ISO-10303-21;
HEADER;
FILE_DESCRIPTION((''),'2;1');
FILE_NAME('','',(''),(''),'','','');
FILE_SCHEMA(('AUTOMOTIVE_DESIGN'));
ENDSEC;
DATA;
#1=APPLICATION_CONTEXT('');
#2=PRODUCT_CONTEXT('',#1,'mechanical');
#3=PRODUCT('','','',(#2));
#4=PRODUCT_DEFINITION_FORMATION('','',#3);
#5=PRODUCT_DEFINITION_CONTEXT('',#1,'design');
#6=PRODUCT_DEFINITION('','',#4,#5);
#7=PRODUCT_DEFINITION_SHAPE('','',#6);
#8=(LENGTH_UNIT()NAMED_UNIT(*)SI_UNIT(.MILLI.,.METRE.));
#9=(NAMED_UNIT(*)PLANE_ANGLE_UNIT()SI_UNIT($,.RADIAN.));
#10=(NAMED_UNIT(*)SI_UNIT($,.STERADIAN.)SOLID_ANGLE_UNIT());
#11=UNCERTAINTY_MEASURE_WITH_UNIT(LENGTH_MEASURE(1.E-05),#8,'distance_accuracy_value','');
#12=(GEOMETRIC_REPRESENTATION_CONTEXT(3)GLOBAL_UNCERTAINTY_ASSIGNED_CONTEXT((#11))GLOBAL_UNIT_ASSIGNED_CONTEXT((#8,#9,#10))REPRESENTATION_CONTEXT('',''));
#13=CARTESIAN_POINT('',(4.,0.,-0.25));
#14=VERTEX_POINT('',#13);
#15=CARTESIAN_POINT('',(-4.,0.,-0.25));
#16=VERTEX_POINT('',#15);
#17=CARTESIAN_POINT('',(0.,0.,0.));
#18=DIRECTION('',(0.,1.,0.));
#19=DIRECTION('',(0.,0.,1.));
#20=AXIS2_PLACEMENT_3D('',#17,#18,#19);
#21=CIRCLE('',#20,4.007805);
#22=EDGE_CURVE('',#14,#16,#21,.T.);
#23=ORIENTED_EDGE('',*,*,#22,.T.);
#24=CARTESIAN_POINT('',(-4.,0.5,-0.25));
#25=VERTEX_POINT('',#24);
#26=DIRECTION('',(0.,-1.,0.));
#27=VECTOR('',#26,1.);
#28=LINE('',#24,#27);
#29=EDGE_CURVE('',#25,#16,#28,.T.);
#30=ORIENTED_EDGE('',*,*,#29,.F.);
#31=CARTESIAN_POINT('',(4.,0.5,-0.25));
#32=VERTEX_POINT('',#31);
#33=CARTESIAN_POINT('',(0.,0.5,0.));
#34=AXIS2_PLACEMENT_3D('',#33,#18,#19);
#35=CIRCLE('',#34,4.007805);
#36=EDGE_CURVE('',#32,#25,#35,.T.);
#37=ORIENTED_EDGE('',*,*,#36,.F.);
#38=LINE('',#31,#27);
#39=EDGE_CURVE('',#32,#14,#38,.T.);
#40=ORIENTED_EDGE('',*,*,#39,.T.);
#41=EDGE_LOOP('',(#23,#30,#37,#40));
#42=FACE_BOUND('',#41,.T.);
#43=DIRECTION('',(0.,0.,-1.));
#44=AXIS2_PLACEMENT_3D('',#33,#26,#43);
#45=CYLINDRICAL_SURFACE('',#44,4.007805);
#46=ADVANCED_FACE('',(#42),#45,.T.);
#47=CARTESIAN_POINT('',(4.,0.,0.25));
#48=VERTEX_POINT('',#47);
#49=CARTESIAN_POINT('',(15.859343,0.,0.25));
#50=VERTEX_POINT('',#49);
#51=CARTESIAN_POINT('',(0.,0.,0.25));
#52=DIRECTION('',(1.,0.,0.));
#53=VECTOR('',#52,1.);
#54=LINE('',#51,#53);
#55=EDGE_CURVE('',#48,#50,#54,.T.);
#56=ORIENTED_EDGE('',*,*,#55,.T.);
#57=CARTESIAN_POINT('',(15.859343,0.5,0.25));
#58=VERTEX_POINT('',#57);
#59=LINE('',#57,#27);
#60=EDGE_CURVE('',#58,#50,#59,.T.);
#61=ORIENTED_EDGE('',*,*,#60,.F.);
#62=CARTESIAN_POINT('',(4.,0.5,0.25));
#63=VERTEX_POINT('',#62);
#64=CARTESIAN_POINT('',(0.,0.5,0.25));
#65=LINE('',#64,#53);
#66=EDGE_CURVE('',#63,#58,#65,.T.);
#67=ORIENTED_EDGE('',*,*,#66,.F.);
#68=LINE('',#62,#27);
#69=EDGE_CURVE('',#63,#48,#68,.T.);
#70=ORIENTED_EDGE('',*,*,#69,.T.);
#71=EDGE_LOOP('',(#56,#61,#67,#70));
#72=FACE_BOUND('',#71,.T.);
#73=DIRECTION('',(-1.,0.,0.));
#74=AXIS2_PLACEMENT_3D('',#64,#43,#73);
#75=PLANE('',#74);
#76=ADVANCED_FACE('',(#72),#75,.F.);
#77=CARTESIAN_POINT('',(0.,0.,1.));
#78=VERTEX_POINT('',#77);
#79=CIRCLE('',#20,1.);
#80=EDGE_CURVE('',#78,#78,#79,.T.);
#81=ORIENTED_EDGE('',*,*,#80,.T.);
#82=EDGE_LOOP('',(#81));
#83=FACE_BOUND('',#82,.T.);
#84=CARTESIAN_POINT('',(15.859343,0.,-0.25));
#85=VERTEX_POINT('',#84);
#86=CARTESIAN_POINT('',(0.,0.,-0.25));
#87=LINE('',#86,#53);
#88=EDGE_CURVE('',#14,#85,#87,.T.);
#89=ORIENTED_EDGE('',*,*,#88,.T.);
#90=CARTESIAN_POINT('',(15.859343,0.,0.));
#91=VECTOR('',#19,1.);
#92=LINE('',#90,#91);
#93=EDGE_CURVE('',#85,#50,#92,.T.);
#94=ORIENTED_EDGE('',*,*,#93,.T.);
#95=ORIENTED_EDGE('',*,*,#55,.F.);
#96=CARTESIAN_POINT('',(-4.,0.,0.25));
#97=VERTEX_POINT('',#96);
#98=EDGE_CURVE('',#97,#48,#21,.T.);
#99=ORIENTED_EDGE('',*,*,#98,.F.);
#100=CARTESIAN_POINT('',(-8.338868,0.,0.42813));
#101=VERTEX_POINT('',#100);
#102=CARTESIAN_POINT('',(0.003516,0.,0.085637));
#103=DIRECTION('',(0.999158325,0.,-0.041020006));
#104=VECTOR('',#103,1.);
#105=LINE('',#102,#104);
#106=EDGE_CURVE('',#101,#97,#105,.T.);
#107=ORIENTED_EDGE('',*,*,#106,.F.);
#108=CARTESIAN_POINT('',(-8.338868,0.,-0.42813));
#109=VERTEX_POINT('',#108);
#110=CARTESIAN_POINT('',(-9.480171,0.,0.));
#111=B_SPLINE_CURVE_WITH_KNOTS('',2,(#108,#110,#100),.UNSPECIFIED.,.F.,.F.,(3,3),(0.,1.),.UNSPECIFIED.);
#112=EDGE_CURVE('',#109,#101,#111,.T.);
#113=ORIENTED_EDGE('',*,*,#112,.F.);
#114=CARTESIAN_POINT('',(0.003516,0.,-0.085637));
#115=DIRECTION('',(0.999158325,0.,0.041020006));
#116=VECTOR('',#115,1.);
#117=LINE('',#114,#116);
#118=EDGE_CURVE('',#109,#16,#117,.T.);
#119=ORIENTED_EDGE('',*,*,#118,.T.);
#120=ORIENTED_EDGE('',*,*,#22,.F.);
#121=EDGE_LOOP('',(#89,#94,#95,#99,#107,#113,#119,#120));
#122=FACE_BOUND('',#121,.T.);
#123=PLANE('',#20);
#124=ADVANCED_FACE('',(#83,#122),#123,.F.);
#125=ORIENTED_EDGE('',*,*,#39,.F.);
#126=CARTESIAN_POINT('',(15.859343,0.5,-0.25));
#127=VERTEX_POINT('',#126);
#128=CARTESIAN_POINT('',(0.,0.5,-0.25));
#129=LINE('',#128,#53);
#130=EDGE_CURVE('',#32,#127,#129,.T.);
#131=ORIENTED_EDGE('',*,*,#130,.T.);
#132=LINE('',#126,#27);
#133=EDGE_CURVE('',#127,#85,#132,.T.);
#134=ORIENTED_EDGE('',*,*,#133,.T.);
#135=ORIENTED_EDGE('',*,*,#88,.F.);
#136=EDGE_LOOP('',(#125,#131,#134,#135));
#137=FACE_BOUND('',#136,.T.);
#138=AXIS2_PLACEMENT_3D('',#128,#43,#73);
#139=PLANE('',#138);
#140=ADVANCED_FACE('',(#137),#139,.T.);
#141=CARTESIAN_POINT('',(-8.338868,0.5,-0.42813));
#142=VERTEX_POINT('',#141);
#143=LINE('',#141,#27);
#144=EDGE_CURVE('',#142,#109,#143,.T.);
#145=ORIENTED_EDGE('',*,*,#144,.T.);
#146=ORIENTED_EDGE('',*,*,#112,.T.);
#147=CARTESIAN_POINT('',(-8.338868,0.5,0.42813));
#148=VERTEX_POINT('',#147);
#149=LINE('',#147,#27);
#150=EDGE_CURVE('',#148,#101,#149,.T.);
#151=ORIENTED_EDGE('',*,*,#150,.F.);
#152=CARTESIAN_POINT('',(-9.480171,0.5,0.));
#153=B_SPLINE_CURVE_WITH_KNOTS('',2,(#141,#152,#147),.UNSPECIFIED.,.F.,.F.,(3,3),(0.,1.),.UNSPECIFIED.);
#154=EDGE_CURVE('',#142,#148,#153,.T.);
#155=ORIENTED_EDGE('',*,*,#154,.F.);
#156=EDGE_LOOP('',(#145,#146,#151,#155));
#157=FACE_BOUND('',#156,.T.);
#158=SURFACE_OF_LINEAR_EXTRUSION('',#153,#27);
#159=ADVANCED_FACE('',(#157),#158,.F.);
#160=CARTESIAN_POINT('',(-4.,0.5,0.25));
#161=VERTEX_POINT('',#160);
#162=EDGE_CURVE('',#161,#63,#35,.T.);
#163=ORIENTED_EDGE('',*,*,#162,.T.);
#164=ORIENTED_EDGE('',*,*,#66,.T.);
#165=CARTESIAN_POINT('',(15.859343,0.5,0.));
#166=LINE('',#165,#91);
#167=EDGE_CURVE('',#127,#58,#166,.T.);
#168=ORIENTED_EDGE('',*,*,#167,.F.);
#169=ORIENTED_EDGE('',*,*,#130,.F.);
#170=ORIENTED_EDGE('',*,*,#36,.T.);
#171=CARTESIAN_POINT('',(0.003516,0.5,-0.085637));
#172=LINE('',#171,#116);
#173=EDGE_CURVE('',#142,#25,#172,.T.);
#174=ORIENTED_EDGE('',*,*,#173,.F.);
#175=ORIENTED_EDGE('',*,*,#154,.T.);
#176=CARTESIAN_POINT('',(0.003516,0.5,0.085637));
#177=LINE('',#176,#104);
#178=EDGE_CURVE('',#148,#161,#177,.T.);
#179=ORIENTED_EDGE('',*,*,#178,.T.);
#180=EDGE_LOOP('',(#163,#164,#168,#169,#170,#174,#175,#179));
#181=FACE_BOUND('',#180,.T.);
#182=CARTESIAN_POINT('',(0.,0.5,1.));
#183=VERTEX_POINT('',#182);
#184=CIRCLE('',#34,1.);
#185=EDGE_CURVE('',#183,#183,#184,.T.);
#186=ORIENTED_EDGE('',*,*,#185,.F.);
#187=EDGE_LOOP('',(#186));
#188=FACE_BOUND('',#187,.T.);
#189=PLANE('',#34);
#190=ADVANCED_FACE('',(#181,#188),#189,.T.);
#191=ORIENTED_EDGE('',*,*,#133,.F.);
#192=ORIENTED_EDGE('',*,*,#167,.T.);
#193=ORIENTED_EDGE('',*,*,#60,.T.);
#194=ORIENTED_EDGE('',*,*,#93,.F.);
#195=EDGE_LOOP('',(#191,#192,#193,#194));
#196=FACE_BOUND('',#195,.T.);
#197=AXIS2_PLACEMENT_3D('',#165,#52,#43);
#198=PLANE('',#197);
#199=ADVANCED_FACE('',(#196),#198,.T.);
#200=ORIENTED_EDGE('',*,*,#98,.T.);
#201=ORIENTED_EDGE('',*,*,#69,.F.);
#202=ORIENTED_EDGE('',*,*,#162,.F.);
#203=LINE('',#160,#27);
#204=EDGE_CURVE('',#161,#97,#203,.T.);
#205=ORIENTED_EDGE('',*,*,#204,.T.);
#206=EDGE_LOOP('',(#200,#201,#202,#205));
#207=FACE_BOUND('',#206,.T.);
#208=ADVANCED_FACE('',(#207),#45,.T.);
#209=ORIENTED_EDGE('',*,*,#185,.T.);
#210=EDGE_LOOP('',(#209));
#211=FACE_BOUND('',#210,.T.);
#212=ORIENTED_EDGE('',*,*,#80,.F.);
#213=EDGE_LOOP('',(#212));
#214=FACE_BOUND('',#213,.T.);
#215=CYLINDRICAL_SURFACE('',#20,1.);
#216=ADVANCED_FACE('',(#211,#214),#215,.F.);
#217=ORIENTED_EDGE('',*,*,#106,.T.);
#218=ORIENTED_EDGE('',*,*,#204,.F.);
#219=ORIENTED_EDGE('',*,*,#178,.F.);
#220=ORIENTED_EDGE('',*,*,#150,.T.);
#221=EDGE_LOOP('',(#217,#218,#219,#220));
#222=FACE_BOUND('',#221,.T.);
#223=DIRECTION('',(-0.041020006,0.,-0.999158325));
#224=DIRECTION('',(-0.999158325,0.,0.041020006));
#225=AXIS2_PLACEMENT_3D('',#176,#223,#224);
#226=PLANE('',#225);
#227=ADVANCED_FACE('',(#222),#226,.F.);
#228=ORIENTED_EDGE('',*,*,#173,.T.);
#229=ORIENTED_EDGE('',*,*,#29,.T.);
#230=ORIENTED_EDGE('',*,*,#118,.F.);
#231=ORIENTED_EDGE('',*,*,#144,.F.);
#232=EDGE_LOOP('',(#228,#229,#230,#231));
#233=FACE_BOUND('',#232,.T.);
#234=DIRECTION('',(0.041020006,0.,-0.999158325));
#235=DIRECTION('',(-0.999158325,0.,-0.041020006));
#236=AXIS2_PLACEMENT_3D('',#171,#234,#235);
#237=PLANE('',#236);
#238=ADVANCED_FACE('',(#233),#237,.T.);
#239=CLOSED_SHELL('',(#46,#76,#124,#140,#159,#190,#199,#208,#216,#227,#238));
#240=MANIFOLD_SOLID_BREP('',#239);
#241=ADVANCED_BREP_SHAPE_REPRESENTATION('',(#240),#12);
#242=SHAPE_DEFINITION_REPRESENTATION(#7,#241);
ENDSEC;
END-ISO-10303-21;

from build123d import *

# Parameters (mm, degrees)
BOSS_EXTRUDE2_DEPTH = 0.5
SKETCH3_R           = 1
CUT_EXTRUDE2_DEPTH  = 1.5000001


with BuildPart() as part:
    # Sketch1 → Boss-Extrude2 (new body)
    with BuildSketch(Plane(origin=(0, 0, 0), x_dir=(1, 0, 0), z_dir=(0, 1, 0))):
        with BuildLine():
            Line((15.859342687, 0.25), (4, 0.25))
            ThreePointArc((4, 0.25), (0, 4.007804885), (-4, 0.25))
            Line((-4, 0.25), (-8.33886799, 0.428130321))
            add(Edge.make_bspline(
                [(-8.33886799, 0.428130321), (-9.480171403, 0), (-8.33886799, -0.428130321)],
                knots=[0, 0, 0, 1, 1, 1], degree=2))
            Line((-8.33886799, -0.428130321), (-4, -0.25))
            ThreePointArc((-4, -0.25), (0, -4.007804885), (4, -0.25))
            Line((4, -0.25), (15.859342687, -0.25))
            Line((15.859342687, -0.25), (15.859342687, 0.25))
        make_face()
    extrude(amount=BOSS_EXTRUDE2_DEPTH)

    # Sketch3 → Cut-Extrude2 (cut, through all)
    with BuildSketch(Plane(origin=(0, 0.5, 0), x_dir=(1, 0, 0), z_dir=(0, 1, 0))):
        Circle(SKETCH3_R)
    extrude(amount=-CUT_EXTRUDE2_DEPTH, mode=Mode.SUBTRACT)


solid = part.part
